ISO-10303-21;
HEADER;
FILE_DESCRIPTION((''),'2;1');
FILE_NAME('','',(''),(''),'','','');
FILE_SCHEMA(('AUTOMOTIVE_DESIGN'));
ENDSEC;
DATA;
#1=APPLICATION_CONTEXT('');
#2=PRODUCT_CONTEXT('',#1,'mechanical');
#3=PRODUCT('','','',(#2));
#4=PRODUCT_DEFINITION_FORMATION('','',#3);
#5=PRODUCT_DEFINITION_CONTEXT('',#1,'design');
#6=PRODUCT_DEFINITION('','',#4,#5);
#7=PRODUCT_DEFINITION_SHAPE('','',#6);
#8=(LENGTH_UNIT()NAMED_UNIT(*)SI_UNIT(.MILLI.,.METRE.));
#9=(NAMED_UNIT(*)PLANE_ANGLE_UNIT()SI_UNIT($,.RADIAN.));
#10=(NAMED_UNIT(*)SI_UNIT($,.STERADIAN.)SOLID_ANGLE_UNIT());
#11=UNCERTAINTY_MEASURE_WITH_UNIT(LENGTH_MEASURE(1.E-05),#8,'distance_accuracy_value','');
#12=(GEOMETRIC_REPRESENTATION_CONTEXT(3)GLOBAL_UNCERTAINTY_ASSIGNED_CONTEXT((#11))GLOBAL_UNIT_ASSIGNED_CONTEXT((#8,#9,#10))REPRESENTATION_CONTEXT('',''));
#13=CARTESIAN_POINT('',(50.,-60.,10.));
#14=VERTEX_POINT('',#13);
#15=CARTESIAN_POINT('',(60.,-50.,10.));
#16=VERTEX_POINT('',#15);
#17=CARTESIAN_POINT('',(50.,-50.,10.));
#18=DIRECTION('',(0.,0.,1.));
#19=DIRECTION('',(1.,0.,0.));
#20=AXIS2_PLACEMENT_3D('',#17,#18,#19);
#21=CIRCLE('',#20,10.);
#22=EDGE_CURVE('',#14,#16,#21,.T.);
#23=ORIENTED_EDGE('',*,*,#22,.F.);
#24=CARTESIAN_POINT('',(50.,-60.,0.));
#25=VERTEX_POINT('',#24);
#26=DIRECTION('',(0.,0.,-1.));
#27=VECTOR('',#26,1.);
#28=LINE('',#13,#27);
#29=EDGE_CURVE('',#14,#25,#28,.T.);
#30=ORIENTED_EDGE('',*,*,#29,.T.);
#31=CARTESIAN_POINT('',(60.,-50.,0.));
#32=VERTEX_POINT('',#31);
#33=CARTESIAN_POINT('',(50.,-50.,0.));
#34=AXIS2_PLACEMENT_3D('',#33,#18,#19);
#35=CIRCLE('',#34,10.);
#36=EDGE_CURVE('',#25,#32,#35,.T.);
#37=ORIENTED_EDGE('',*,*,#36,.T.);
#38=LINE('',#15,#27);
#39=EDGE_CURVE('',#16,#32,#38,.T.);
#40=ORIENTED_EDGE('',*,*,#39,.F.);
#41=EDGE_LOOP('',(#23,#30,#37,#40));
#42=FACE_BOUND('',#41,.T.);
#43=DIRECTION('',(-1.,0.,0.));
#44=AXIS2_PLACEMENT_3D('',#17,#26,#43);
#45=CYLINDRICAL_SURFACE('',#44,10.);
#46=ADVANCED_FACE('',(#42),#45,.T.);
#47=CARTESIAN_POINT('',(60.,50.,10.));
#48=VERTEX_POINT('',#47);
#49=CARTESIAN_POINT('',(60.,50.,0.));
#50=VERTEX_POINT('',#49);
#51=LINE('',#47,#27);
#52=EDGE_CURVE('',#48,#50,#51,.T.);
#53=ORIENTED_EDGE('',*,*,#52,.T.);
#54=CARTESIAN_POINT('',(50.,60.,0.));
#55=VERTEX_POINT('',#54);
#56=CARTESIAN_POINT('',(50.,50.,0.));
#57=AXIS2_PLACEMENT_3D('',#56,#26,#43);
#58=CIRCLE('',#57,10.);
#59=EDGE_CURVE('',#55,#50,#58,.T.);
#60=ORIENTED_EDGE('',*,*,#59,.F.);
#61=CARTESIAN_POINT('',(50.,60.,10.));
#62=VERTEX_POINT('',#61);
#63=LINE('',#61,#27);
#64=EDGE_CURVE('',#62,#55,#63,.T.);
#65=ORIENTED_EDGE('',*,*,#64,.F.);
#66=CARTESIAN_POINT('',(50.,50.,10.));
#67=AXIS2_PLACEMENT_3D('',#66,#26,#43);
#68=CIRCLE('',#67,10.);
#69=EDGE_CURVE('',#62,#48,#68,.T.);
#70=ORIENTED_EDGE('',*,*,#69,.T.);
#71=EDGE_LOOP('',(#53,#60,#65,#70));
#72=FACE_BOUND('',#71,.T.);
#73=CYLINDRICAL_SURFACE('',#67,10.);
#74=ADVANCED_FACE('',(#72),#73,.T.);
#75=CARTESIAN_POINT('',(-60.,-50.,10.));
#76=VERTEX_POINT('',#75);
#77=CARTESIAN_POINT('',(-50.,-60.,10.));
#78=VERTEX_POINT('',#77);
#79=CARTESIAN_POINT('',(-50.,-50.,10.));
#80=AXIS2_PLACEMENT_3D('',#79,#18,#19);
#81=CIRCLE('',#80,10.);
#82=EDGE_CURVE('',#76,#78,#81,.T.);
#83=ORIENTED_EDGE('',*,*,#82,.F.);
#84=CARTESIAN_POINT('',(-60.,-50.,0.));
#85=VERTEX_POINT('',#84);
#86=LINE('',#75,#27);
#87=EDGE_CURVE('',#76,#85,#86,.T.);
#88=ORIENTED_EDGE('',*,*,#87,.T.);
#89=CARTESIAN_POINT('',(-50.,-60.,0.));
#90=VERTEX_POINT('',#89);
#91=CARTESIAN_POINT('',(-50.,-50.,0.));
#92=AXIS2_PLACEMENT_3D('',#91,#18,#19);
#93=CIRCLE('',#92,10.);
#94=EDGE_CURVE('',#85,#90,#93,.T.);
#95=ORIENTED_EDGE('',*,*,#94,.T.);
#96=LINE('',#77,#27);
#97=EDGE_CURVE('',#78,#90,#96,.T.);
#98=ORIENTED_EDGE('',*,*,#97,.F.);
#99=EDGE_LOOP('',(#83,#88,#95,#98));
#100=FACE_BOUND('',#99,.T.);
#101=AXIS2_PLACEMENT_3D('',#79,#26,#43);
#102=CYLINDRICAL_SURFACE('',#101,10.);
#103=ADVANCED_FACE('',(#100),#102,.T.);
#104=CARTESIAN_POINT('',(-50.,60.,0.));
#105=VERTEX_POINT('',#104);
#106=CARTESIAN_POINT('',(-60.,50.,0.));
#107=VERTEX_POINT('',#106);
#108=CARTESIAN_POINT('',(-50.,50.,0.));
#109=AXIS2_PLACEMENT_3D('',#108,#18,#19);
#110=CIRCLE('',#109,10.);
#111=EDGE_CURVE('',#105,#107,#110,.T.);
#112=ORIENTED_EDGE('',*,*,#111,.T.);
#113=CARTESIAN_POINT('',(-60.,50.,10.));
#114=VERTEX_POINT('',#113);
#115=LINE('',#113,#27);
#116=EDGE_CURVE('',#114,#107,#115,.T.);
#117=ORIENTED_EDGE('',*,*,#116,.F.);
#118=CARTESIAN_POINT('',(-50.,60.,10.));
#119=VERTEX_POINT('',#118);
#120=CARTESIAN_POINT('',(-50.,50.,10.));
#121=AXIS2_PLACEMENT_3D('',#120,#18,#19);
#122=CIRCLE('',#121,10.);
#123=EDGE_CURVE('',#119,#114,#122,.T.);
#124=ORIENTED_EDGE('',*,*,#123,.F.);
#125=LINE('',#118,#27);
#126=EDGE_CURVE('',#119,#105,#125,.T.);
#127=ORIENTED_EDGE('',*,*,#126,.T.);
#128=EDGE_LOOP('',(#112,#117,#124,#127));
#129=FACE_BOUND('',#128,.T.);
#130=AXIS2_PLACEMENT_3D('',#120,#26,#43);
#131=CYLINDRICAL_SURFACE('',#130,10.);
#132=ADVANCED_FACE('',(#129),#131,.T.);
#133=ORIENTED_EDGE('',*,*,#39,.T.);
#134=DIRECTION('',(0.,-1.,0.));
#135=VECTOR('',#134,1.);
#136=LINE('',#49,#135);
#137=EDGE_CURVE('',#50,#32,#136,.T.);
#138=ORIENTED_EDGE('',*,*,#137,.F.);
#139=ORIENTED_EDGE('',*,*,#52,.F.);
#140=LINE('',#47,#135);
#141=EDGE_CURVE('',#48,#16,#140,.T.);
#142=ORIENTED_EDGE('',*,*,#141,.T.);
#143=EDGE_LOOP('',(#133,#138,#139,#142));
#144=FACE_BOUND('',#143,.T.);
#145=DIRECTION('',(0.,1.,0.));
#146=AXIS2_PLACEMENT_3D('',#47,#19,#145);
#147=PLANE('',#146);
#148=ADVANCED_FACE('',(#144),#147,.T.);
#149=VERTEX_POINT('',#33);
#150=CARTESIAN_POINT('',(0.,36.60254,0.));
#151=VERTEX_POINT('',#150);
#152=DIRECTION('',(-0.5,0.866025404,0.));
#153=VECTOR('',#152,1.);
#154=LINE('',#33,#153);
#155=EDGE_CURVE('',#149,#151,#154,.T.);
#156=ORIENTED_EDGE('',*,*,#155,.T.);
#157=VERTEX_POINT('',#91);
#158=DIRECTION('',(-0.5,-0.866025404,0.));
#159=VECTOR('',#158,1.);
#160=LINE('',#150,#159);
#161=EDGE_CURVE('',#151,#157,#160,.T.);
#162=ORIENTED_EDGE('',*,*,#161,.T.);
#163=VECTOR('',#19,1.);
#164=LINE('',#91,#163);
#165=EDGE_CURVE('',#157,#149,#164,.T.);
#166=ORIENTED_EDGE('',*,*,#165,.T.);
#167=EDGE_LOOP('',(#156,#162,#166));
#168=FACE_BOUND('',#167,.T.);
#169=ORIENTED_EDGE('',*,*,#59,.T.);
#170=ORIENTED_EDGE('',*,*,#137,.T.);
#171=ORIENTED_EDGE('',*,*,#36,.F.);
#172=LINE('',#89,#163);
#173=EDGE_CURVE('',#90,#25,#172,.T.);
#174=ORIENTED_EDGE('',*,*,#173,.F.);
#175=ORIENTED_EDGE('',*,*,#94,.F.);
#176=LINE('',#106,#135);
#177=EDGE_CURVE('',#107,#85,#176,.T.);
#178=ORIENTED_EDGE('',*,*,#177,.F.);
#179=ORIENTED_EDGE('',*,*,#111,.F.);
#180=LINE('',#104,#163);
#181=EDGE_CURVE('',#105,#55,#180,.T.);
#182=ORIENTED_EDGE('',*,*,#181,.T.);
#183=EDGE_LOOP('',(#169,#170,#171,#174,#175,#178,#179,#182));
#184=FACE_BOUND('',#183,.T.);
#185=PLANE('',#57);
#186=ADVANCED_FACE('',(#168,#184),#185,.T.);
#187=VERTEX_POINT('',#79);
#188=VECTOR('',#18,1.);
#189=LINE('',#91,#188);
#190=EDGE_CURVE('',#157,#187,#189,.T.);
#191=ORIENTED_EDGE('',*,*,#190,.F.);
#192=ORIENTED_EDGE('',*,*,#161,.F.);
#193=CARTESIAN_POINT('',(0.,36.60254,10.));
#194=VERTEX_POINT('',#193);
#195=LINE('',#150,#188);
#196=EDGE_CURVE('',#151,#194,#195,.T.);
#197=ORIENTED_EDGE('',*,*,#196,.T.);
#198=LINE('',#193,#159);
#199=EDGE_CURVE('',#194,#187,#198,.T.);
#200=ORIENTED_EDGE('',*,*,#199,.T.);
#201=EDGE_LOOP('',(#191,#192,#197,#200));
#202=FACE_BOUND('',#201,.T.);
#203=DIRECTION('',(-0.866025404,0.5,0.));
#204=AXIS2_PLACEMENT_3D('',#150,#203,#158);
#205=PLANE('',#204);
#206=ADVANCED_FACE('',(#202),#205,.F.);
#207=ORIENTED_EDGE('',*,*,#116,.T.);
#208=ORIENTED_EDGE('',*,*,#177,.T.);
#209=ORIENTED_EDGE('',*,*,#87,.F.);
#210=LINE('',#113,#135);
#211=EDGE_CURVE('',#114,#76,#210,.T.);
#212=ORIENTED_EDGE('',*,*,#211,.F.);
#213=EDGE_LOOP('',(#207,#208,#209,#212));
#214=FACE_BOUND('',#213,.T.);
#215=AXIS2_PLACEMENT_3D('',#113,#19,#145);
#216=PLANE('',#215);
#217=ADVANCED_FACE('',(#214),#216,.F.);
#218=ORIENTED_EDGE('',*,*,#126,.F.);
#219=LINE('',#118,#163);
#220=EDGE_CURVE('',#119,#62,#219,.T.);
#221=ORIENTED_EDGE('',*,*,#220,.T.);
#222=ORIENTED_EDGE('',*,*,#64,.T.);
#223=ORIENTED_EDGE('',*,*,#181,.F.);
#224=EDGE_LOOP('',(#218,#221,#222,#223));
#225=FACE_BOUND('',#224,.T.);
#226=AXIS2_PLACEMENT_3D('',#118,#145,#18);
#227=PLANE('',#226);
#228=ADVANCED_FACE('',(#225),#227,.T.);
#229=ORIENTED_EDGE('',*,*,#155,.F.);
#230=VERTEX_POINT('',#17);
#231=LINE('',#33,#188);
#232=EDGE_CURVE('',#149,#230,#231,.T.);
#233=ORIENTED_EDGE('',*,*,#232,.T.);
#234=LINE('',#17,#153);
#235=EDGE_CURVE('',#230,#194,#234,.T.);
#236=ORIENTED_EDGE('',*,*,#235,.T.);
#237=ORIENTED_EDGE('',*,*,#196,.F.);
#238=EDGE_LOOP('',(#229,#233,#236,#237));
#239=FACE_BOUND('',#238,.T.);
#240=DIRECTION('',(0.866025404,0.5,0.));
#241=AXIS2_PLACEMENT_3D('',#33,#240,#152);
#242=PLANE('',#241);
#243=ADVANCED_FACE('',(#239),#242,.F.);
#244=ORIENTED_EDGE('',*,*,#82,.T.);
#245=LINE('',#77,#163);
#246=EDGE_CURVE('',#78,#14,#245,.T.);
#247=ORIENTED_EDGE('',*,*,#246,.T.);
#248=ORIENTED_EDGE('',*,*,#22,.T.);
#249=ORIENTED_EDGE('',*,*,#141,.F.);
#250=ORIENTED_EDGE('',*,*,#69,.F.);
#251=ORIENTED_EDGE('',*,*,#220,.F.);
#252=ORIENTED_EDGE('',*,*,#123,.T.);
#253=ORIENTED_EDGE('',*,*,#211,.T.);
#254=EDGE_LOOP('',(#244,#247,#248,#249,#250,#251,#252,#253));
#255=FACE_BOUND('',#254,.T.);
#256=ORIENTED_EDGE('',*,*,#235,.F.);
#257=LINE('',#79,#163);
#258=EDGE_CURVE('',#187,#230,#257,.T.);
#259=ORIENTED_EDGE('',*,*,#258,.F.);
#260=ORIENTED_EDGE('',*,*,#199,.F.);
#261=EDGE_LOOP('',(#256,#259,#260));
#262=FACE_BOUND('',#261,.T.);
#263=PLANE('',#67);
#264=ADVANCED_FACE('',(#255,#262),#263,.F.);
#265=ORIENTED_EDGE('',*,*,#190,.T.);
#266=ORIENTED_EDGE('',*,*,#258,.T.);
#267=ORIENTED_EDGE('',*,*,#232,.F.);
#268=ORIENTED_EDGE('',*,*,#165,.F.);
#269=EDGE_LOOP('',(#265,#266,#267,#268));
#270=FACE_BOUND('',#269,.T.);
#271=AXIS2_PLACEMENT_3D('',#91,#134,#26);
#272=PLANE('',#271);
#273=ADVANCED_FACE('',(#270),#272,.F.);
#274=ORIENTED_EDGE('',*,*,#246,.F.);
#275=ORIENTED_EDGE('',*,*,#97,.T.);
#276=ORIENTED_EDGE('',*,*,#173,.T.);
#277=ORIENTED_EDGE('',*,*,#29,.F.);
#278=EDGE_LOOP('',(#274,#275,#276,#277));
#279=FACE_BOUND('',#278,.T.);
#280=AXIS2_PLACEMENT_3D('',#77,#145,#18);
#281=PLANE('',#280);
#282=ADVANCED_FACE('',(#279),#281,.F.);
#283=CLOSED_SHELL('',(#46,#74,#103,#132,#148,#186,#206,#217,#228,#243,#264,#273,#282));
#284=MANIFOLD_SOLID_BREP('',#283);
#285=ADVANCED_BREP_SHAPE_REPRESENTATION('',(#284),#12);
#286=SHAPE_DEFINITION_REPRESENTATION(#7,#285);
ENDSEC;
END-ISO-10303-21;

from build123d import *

# Parameters (mm, degrees)
BOSS_EXTRUDE1_DEPTH = 10
CUT_EXTRUDE1_DEPTH  = 10


with BuildPart() as part:
    # Sketch1 → Boss-Extrude1 (new body)
    with BuildSketch(Plane.XY):
        with BuildLine():
            Line((-50, 60), (50, 60))
            ThreePointArc((50, 60), (57.071067812, 57.071067812), (60, 50))
            Line((60, 50), (60, -50))
            ThreePointArc((60, -50), (57.071067812, -57.071067812), (50, -60))
            Line((50, -60), (-50, -60))
            ThreePointArc((-50, -60), (-57.071067812, -57.071067812), (-60, -50))
            Line((-60, -50), (-60, 50))
            ThreePointArc((-60, 50), (-57.071067812, 57.071067812), (-50, 60))
        make_face()
    extrude(amount=BOSS_EXTRUDE1_DEPTH)

    # Sketch3 → Cut-Extrude1 (cut)
    with BuildSketch(Plane.XY.offset(10)):
        Polygon((-50, -50), (50, -50), (0, 36.602540378), align=None)
    extrude(amount=-CUT_EXTRUDE1_DEPTH, mode=Mode.SUBTRACT)


solid = part.part
